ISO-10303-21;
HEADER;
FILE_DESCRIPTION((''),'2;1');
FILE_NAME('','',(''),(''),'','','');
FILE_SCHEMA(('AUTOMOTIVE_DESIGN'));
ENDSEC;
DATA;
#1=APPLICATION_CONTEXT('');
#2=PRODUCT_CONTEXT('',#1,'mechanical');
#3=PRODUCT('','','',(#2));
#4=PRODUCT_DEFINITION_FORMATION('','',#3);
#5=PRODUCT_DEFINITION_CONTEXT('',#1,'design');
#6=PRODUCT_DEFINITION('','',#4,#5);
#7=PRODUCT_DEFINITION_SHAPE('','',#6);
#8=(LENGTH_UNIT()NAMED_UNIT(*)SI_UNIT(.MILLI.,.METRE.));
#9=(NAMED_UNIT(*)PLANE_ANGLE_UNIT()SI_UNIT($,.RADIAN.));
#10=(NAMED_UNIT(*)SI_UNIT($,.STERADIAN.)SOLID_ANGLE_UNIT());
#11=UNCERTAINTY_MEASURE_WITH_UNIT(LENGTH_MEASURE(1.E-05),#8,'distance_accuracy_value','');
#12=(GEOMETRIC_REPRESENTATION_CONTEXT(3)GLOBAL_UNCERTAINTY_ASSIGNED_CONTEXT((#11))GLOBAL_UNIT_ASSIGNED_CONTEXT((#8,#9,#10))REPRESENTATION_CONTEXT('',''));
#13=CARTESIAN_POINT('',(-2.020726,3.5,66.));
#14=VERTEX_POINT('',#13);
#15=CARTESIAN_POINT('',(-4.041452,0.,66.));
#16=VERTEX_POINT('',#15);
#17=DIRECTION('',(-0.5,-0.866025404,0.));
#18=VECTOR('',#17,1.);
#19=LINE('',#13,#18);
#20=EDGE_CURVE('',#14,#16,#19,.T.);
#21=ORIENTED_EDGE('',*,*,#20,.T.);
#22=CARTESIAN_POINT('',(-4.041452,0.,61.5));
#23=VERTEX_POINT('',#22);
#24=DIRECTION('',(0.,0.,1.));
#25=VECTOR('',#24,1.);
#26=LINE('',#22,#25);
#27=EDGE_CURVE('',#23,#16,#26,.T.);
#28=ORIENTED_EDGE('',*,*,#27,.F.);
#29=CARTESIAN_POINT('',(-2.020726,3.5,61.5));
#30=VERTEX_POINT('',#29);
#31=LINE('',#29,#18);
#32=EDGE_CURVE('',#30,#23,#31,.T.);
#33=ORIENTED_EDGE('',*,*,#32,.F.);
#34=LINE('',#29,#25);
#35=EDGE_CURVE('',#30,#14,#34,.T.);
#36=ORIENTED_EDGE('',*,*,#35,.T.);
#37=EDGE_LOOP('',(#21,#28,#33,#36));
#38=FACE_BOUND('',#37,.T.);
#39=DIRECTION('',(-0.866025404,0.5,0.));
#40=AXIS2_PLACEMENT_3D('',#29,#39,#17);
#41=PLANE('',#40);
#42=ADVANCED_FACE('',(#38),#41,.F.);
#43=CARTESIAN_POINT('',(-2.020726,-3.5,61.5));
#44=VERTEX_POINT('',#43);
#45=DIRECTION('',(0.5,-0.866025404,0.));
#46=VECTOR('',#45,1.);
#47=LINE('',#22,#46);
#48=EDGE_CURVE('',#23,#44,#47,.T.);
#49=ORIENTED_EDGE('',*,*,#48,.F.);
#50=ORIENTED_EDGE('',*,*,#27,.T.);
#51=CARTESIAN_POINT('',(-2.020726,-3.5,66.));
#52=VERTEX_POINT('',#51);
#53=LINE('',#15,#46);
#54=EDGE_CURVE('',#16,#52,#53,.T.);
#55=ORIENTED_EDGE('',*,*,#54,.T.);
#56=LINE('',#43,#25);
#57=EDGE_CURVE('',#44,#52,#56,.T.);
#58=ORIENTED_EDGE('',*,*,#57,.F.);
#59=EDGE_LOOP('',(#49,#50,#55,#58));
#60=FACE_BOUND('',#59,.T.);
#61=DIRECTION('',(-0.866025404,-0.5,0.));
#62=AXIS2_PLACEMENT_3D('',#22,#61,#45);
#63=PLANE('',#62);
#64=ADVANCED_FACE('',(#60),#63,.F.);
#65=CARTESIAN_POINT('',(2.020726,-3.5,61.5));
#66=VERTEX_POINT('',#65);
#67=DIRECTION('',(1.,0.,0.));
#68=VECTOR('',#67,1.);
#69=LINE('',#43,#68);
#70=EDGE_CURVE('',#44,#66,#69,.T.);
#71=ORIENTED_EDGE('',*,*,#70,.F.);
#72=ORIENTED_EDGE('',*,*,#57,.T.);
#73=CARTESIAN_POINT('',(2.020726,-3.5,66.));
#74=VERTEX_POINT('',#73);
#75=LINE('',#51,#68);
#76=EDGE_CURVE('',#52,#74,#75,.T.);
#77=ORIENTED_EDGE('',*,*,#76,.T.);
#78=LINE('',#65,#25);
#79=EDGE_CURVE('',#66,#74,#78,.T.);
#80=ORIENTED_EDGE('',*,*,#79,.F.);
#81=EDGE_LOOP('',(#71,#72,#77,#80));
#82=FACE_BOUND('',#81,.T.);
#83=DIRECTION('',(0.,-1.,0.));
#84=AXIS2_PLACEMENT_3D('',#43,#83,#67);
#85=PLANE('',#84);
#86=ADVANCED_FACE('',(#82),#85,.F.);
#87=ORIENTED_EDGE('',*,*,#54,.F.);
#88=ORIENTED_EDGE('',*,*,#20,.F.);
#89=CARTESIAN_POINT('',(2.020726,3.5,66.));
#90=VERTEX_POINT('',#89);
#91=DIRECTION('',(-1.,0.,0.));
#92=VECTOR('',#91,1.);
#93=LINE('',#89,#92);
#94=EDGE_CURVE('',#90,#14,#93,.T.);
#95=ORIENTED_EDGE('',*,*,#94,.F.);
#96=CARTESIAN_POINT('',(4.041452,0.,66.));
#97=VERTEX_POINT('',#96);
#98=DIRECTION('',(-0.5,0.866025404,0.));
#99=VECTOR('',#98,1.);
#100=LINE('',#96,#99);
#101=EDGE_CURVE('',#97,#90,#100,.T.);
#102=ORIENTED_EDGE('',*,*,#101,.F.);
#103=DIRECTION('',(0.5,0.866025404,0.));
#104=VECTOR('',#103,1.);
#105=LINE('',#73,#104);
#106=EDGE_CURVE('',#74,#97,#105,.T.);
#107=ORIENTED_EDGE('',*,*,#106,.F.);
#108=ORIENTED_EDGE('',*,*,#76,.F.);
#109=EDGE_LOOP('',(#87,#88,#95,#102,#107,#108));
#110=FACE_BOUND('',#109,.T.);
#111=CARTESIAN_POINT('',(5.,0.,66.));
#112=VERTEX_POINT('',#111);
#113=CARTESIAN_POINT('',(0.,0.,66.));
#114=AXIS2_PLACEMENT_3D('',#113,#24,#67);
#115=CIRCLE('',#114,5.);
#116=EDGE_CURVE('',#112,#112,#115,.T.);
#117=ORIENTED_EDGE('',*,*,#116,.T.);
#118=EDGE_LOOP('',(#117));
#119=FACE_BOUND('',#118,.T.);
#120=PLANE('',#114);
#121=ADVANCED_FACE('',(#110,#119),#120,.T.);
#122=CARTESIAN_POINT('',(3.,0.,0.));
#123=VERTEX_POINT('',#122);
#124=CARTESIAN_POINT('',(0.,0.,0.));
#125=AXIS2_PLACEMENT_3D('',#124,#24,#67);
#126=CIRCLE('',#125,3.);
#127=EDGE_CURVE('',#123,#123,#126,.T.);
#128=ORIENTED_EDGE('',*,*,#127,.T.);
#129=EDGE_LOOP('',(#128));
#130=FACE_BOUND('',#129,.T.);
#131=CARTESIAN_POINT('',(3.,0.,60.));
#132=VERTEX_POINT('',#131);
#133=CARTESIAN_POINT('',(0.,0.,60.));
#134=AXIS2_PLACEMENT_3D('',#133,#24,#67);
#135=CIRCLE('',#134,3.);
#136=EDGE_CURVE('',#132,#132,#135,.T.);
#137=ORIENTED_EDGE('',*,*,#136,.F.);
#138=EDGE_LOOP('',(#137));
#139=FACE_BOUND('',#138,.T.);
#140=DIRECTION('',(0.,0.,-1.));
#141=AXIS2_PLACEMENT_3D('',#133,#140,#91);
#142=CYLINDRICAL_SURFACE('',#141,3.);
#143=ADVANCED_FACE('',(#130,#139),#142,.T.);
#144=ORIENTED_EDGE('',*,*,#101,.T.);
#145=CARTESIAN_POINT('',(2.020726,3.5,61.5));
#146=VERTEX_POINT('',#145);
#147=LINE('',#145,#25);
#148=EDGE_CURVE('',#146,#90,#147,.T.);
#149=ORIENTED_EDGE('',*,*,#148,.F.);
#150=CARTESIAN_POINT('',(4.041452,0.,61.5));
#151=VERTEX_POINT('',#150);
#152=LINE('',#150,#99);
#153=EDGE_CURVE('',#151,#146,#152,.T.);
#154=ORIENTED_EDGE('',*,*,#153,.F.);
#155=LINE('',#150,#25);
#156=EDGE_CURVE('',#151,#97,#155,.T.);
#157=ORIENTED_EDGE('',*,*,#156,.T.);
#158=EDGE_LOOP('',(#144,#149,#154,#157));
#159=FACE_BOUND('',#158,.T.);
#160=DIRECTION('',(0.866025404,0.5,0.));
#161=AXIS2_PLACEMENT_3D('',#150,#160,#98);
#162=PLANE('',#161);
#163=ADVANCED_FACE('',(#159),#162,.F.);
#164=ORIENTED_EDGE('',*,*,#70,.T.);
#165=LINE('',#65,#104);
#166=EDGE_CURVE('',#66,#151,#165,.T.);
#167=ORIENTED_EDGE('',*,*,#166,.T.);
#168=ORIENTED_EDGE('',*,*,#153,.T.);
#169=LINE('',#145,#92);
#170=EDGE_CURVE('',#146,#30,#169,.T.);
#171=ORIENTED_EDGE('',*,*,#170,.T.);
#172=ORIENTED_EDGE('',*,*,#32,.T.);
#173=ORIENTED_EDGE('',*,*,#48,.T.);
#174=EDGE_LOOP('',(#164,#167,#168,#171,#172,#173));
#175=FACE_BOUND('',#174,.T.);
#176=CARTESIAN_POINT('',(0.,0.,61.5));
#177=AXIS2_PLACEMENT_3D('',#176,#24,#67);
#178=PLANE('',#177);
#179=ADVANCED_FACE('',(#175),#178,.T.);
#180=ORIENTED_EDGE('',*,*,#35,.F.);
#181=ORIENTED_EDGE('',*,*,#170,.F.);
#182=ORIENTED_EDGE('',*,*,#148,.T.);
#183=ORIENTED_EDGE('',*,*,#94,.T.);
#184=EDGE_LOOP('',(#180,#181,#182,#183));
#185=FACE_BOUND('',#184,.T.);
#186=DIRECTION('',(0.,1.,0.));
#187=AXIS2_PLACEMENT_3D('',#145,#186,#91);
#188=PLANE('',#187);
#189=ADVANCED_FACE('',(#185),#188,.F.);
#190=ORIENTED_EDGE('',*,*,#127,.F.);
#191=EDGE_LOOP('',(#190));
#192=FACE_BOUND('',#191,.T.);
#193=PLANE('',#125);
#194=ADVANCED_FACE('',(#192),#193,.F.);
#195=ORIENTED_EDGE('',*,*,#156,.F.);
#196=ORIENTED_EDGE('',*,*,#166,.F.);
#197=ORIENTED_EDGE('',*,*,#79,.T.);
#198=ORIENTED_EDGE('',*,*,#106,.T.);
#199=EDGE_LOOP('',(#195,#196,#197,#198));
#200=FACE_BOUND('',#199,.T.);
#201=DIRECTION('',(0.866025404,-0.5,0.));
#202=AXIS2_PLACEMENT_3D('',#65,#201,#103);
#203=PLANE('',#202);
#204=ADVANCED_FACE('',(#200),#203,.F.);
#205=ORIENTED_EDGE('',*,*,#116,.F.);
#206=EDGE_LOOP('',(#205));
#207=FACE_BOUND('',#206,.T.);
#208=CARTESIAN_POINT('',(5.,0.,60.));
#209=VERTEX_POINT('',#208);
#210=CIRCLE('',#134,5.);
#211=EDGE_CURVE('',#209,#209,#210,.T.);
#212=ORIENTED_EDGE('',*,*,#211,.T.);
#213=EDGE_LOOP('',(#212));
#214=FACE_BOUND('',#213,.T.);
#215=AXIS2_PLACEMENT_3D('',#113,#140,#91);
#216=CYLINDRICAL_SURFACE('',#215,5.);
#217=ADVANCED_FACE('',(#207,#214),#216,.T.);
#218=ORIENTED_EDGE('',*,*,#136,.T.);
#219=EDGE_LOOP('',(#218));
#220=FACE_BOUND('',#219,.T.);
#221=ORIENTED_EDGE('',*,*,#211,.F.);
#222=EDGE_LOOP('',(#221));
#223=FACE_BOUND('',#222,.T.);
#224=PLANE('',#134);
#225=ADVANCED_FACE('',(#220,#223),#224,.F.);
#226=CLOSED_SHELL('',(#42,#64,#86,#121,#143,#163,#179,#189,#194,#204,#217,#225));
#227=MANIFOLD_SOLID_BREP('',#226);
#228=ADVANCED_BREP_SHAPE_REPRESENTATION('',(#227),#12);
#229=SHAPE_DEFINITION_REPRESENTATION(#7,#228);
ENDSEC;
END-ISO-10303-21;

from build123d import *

# Parameters (mm, degrees)
ESQUISSE1_R             = 3
BOSS_EXTRU_1_DEPTH      = 60
ESQUISSE2_R             = 5
BOSS_EXTRU_2_DEPTH      = 6
ENL_V_MAT_EXTRU_1_DEPTH = 4.5


with BuildPart() as part:
    # Esquisse1 → Boss.-Extru.1 (new body)
    with BuildSketch(Plane.XY):
        Circle(ESQUISSE1_R)
    extrude(amount=BOSS_EXTRU_1_DEPTH)

    # Esquisse2 → Boss.-Extru.2 (add)
    with BuildSketch(Plane.XY.offset(60)):
        Circle(ESQUISSE2_R)
    extrude(amount=BOSS_EXTRU_2_DEPTH)

    # Esquisse3 → Enlèv. mat.-Extru.1 (cut)
    with BuildSketch(Plane.XY.offset(66)):
        Polygon((4.041451884, 0), (2.020725942, 3.5), (-2.020725942, 3.5), (-4.041451884, 0), (-2.020725942, -3.5), (2.020725942, -3.5), align=None)
    extrude(amount=-ENL_V_MAT_EXTRU_1_DEPTH, mode=Mode.SUBTRACT)


solid = part.part
